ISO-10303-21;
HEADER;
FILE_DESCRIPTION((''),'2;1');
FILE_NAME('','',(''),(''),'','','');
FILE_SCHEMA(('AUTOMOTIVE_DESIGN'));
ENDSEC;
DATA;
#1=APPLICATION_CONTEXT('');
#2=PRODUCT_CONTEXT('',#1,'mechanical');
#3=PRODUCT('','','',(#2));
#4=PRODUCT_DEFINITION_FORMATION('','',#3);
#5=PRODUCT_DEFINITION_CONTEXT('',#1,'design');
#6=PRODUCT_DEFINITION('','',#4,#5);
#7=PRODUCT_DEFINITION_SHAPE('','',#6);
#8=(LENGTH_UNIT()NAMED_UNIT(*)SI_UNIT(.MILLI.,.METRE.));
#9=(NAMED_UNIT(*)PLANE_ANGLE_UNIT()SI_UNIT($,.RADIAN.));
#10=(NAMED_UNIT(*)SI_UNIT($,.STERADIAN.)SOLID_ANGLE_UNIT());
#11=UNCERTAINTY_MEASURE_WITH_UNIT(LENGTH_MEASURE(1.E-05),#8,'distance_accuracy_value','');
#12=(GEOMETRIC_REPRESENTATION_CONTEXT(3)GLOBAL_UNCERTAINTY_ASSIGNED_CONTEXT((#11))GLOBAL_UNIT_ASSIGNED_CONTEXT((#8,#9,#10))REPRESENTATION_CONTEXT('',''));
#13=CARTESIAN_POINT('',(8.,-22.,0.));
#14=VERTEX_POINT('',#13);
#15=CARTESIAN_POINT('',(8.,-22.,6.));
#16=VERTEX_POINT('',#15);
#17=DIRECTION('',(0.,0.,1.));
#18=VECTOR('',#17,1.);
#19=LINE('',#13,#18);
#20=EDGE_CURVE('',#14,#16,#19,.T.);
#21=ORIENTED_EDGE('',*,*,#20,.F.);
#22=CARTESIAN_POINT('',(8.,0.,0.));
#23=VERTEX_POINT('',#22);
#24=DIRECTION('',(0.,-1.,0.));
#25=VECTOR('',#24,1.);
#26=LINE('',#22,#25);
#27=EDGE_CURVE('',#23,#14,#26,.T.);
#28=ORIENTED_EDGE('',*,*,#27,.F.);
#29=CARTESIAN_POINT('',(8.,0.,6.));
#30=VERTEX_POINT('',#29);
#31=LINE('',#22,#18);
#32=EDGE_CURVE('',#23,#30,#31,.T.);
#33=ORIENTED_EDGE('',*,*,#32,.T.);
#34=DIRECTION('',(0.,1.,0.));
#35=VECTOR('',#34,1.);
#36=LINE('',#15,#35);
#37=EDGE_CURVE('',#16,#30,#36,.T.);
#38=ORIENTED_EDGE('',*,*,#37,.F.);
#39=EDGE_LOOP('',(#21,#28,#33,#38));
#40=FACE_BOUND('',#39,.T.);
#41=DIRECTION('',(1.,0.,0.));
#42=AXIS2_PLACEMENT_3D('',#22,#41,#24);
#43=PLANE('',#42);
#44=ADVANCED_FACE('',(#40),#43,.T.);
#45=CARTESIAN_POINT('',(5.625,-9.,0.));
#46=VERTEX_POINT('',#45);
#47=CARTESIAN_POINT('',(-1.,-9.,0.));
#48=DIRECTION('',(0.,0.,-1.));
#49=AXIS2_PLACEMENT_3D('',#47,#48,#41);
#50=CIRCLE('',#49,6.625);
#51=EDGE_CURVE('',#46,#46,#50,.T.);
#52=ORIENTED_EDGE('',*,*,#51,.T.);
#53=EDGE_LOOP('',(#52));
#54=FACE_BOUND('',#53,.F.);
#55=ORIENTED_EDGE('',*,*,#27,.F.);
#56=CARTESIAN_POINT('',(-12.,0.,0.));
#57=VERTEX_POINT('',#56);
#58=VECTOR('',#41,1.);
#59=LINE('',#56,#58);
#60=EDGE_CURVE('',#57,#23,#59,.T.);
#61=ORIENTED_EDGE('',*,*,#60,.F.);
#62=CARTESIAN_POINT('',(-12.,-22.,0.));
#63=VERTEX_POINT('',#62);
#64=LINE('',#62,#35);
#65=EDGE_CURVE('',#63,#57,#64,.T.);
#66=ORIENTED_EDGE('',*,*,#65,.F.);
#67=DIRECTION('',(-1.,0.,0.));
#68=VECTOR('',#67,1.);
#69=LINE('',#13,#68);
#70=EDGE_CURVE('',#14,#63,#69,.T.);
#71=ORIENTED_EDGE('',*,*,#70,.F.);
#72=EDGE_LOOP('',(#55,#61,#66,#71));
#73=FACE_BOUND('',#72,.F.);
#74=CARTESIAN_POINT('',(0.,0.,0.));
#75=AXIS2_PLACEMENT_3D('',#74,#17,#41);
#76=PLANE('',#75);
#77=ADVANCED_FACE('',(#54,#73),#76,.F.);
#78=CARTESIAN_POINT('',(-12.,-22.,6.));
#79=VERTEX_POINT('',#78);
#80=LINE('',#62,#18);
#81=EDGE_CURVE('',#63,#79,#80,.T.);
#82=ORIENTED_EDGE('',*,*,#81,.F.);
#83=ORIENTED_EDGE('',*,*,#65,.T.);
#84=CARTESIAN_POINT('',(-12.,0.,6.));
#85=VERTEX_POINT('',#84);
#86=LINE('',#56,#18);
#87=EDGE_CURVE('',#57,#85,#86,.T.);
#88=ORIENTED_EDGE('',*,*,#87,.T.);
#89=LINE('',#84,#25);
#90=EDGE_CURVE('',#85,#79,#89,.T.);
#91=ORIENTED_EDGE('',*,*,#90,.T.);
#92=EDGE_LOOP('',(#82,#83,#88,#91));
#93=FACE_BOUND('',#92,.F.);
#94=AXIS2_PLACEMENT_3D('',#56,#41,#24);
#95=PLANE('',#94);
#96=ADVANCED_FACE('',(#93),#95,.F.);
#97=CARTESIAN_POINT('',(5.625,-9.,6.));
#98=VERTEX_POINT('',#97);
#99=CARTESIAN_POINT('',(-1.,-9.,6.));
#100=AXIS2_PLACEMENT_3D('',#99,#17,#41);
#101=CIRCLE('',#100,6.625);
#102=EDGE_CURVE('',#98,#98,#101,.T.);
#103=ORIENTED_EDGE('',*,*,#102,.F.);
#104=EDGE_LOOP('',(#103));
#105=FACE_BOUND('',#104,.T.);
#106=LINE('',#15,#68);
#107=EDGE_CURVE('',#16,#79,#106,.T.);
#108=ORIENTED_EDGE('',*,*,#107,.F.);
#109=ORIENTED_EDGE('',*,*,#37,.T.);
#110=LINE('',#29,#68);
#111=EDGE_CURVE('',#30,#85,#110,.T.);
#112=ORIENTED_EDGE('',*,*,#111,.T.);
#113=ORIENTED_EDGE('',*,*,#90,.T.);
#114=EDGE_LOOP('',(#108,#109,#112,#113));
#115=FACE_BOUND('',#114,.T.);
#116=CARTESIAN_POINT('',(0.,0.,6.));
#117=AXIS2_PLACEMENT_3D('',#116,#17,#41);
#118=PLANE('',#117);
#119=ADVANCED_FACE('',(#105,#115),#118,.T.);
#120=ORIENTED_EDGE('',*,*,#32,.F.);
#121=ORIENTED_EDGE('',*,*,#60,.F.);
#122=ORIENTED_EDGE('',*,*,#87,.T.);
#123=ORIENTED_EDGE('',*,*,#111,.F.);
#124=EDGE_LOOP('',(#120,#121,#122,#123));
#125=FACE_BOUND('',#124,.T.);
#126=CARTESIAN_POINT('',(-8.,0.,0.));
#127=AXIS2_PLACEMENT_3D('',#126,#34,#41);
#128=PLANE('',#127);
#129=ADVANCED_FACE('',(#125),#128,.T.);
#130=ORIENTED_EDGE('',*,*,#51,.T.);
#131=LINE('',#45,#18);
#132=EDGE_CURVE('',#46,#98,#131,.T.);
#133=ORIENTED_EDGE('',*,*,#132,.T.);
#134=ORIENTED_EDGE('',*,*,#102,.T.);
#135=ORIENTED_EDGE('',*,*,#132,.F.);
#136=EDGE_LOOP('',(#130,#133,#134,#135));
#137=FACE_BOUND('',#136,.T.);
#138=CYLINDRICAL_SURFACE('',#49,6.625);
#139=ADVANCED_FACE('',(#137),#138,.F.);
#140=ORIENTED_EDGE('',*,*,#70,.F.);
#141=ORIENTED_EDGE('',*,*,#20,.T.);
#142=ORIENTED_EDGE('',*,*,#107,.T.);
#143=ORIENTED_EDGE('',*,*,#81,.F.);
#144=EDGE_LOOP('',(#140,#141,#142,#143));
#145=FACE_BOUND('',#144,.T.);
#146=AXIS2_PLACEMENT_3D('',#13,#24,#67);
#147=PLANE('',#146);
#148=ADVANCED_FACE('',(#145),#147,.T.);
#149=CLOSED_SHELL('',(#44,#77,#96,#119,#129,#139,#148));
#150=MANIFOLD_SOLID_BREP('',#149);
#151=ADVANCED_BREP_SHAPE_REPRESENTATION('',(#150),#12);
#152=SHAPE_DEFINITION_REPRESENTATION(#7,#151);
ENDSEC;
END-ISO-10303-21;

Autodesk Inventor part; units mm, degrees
ref_plane "YZ Plane" through (0, 0, 0) normal (1, 0, 0) x (0, 1, 0)
ref_plane "XZ Plane" through (0, 0, 0) normal (0, 1, 0) x (-1, 0, 0)
ref_plane "XY Plane" through (0, 0, 0) normal (0, 0, 1) x (1, 0, 0)
ref_plane "Arbeitsebene1" through (0, 0, 0) normal (0, 0, 1) x (1, 0, 0)
sketch "Skizze1" plane through (0, 0, 0) normal (0, 0, 1) x (1, 0, 0)
  line L0 (7.1, -14.0992) -> (0, -18.1984) projected
  line L1 (0, -18.1984) -> (-7.1, -14.0992) projected
  line L2 (-7.1, -14.0992) -> (-7.1, -5.9008) projected
  line L3 (-7.1, -5.9008) -> (0, -1.8016) projected
  line L4 (0, -1.8016) -> (7.1, -5.9008) projected
  line L5 (7.1, -5.9008) -> (7.1, -14.0992) projected
  line L6 (-8, -19.5) -> (8, -19.5) projected
  line L7 (8, 0) -> (8, -19.5) projected
  line L8 (-8, 0) -> (8, 0) projected
  line L9 (-8, -19.5) -> (-8, 0) projected
  line L10 (8, 0) -> (-12, 0)
  line L11 (-12, 0) -> (-12, -20)
  line L12 (-12, -20) -> (8, -20)
  line L13 (8, -20) -> (8, 0)
  circle A0 centre (-1, -9) radius 6.625
  circle A1 centre (0, -10) radius 6.5405 construction
  line L14 (-12, -20) -> (8, -20)
  line L15 (8, -20) -> (8, -22)
  line L16 (8, -22) -> (-12, -22)
  line L17 (-12, -22) -> (-12, -20)
  point P0 (0, 0)
  dimension "d0" = 20
  dimension "d1" = 20
  dimension "d2" = 13.25
  dimension "d4" = 1
  dimension "d7" = 20
  dimension "d8" = 2
  dimension "d9" = 1
extrude "Extrusion1" add sketch "Skizze1" along normal blind 6 contours L0 L1 L2 A0 L3 L4 L5 | L2 L3 A0 | L9 L8 L7 L6 | L6 L13 L12 L11 L10 L9 | L15 L16 L17 L12 picked at (-6.9868, -5.9999)
properties part number "30_Flexure_Laseradapter_XY"
